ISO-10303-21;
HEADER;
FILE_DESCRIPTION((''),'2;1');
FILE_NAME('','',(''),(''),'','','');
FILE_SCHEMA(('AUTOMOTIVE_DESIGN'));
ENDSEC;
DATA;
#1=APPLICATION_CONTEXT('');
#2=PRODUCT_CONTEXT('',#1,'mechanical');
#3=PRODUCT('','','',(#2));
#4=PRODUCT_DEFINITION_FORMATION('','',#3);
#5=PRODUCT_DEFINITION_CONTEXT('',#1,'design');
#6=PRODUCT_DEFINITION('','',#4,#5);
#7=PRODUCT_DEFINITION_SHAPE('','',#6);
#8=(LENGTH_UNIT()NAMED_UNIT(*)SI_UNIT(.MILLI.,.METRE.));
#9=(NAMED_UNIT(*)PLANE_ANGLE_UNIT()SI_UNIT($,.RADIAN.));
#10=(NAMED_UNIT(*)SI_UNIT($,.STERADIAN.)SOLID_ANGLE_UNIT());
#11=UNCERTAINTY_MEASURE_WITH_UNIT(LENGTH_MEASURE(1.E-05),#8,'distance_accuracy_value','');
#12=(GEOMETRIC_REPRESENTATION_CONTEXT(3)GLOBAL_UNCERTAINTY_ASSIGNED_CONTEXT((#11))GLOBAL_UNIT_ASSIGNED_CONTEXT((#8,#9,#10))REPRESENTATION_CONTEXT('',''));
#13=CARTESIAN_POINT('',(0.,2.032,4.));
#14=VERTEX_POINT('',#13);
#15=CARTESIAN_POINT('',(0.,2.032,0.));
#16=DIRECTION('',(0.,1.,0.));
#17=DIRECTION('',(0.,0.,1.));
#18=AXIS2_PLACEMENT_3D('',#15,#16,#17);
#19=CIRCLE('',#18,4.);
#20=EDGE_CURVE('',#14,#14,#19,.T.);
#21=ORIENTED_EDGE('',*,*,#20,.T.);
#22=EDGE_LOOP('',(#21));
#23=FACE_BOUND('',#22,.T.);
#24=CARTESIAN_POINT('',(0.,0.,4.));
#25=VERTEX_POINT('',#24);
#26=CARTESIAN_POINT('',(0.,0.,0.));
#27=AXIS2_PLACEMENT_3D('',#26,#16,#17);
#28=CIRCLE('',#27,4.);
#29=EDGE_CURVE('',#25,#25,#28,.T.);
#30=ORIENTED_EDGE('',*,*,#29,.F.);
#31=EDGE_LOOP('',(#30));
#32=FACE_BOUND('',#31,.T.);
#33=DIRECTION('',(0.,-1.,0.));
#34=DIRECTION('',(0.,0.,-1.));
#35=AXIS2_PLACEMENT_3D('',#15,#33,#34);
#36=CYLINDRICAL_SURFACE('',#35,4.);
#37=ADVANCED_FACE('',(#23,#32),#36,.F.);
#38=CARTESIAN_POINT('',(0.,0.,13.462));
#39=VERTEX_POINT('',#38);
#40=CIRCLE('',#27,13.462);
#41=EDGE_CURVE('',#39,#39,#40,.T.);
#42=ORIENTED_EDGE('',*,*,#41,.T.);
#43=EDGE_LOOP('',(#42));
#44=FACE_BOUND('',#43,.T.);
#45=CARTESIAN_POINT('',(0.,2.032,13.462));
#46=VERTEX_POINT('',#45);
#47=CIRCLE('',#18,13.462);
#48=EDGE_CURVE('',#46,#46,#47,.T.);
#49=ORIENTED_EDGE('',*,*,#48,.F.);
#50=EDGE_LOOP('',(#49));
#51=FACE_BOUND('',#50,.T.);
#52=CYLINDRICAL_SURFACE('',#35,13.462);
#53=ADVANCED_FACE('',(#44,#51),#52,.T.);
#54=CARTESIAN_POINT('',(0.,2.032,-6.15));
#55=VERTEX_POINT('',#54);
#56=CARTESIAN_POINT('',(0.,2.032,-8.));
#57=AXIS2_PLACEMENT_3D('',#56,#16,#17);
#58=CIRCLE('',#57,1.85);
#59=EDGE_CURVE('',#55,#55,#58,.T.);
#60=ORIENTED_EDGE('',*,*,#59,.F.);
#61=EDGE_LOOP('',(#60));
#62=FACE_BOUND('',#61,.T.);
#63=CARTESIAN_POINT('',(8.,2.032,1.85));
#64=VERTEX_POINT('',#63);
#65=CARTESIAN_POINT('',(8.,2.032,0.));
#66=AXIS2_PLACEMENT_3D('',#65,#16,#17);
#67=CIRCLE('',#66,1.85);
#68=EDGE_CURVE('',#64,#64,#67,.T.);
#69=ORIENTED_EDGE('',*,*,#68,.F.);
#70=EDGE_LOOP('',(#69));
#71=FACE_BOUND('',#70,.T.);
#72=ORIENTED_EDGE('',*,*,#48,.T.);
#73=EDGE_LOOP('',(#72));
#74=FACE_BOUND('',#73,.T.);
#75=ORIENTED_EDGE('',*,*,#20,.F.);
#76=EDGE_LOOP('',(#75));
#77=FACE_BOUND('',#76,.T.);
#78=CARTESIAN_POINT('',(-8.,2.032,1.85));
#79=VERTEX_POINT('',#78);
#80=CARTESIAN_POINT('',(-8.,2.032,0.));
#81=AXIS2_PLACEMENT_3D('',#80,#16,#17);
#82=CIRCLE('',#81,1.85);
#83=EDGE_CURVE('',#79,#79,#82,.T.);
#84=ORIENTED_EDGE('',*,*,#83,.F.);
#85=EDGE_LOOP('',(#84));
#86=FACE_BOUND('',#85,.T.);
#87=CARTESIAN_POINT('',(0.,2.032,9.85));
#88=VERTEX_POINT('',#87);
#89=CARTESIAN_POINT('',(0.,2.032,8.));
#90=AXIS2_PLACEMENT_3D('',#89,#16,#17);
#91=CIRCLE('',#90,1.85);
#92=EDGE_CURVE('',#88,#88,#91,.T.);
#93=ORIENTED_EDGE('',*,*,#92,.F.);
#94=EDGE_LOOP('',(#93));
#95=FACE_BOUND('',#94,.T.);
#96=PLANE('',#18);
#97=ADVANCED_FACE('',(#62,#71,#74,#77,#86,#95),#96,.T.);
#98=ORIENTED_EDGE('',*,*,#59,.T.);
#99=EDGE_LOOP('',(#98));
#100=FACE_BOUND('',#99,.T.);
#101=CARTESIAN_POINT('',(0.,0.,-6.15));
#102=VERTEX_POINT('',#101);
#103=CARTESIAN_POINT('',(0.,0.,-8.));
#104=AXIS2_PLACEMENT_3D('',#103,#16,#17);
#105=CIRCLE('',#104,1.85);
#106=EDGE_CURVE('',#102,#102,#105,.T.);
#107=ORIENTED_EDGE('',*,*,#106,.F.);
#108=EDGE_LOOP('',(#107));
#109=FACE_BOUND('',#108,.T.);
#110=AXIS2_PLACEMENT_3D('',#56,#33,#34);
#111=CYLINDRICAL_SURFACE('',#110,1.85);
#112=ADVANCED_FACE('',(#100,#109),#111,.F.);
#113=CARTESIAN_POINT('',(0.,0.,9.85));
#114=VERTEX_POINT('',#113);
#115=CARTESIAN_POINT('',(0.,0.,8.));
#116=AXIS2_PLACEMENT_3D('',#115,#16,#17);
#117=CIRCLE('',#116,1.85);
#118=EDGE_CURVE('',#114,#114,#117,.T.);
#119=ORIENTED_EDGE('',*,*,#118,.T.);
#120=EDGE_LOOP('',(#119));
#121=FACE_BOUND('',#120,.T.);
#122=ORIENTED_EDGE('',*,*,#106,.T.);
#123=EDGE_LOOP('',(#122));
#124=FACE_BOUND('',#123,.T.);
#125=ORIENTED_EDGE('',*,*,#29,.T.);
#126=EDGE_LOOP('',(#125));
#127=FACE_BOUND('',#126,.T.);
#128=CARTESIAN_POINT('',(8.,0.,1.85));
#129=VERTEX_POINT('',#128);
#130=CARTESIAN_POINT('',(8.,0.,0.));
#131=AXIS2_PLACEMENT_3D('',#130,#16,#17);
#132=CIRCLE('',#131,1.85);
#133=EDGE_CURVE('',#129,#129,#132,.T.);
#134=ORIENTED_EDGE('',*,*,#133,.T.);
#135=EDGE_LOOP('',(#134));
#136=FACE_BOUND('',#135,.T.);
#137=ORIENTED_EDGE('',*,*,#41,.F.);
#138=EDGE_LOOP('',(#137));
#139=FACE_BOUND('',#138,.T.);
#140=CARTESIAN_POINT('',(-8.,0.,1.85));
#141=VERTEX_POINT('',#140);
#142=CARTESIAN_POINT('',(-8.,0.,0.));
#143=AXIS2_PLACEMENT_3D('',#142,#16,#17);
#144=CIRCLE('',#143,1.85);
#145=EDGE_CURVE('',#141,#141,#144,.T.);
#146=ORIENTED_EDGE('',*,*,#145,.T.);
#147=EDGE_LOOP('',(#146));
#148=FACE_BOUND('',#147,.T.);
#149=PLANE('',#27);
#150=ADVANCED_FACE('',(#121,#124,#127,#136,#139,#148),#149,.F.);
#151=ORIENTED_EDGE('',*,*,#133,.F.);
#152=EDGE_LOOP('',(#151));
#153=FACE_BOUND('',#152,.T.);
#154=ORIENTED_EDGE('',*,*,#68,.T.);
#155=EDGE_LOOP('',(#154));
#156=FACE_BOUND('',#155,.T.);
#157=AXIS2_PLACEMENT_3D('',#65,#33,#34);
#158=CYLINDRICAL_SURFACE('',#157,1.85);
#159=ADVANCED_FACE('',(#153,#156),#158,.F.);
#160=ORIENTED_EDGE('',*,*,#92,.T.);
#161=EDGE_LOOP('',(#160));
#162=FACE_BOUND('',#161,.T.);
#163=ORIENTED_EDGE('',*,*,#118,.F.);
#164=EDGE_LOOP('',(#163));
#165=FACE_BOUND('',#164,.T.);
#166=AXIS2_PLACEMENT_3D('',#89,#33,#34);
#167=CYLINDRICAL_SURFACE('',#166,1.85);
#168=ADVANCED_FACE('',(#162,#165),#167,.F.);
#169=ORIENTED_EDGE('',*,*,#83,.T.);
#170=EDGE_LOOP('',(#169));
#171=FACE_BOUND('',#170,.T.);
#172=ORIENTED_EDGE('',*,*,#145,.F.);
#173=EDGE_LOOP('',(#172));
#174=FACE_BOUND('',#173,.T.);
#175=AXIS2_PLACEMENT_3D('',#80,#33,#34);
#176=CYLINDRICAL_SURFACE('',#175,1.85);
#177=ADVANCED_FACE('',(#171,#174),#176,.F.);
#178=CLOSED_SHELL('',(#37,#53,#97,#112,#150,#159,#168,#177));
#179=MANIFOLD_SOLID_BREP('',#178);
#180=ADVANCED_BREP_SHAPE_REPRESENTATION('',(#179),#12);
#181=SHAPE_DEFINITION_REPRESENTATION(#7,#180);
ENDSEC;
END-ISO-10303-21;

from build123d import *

# Parameters (mm, degrees)
SKETCH1_R           = 13.462
SKETCH1_R_2         = 4
SKETCH1_R_3         = 1.85
BOSS_EXTRUDE1_DEPTH = 2.032


with BuildPart() as part:
    # Sketch1 → Boss-Extrude1 (new body)
    with BuildSketch(Plane(origin=(0, 0, 0), x_dir=(1, 0, 0), z_dir=(0, 1, 0))):
        with Locations(Location((0, 0, 0), (0, 0, 270))):
            Circle(SKETCH1_R)
        with Locations(Location((0, 0, 0), (0, 0, 270))):
            Circle(SKETCH1_R_2, mode=Mode.SUBTRACT)
        with Locations(Location((8, 0, 0), (0, 0, 270))):
            Circle(SKETCH1_R_3, mode=Mode.SUBTRACT)
        with Locations(Location((-8, 0, 0), (0, 0, 270))):
            Circle(SKETCH1_R_3, mode=Mode.SUBTRACT)
        with Locations(Location((0, -8, 0), (0, 0, 270))):
            Circle(SKETCH1_R_3, mode=Mode.SUBTRACT)
        with Locations(Location((0, 8, 0), (0, 0, 270))):
            Circle(SKETCH1_R_3, mode=Mode.SUBTRACT)
    extrude(amount=BOSS_EXTRUDE1_DEPTH)


solid = part.part
